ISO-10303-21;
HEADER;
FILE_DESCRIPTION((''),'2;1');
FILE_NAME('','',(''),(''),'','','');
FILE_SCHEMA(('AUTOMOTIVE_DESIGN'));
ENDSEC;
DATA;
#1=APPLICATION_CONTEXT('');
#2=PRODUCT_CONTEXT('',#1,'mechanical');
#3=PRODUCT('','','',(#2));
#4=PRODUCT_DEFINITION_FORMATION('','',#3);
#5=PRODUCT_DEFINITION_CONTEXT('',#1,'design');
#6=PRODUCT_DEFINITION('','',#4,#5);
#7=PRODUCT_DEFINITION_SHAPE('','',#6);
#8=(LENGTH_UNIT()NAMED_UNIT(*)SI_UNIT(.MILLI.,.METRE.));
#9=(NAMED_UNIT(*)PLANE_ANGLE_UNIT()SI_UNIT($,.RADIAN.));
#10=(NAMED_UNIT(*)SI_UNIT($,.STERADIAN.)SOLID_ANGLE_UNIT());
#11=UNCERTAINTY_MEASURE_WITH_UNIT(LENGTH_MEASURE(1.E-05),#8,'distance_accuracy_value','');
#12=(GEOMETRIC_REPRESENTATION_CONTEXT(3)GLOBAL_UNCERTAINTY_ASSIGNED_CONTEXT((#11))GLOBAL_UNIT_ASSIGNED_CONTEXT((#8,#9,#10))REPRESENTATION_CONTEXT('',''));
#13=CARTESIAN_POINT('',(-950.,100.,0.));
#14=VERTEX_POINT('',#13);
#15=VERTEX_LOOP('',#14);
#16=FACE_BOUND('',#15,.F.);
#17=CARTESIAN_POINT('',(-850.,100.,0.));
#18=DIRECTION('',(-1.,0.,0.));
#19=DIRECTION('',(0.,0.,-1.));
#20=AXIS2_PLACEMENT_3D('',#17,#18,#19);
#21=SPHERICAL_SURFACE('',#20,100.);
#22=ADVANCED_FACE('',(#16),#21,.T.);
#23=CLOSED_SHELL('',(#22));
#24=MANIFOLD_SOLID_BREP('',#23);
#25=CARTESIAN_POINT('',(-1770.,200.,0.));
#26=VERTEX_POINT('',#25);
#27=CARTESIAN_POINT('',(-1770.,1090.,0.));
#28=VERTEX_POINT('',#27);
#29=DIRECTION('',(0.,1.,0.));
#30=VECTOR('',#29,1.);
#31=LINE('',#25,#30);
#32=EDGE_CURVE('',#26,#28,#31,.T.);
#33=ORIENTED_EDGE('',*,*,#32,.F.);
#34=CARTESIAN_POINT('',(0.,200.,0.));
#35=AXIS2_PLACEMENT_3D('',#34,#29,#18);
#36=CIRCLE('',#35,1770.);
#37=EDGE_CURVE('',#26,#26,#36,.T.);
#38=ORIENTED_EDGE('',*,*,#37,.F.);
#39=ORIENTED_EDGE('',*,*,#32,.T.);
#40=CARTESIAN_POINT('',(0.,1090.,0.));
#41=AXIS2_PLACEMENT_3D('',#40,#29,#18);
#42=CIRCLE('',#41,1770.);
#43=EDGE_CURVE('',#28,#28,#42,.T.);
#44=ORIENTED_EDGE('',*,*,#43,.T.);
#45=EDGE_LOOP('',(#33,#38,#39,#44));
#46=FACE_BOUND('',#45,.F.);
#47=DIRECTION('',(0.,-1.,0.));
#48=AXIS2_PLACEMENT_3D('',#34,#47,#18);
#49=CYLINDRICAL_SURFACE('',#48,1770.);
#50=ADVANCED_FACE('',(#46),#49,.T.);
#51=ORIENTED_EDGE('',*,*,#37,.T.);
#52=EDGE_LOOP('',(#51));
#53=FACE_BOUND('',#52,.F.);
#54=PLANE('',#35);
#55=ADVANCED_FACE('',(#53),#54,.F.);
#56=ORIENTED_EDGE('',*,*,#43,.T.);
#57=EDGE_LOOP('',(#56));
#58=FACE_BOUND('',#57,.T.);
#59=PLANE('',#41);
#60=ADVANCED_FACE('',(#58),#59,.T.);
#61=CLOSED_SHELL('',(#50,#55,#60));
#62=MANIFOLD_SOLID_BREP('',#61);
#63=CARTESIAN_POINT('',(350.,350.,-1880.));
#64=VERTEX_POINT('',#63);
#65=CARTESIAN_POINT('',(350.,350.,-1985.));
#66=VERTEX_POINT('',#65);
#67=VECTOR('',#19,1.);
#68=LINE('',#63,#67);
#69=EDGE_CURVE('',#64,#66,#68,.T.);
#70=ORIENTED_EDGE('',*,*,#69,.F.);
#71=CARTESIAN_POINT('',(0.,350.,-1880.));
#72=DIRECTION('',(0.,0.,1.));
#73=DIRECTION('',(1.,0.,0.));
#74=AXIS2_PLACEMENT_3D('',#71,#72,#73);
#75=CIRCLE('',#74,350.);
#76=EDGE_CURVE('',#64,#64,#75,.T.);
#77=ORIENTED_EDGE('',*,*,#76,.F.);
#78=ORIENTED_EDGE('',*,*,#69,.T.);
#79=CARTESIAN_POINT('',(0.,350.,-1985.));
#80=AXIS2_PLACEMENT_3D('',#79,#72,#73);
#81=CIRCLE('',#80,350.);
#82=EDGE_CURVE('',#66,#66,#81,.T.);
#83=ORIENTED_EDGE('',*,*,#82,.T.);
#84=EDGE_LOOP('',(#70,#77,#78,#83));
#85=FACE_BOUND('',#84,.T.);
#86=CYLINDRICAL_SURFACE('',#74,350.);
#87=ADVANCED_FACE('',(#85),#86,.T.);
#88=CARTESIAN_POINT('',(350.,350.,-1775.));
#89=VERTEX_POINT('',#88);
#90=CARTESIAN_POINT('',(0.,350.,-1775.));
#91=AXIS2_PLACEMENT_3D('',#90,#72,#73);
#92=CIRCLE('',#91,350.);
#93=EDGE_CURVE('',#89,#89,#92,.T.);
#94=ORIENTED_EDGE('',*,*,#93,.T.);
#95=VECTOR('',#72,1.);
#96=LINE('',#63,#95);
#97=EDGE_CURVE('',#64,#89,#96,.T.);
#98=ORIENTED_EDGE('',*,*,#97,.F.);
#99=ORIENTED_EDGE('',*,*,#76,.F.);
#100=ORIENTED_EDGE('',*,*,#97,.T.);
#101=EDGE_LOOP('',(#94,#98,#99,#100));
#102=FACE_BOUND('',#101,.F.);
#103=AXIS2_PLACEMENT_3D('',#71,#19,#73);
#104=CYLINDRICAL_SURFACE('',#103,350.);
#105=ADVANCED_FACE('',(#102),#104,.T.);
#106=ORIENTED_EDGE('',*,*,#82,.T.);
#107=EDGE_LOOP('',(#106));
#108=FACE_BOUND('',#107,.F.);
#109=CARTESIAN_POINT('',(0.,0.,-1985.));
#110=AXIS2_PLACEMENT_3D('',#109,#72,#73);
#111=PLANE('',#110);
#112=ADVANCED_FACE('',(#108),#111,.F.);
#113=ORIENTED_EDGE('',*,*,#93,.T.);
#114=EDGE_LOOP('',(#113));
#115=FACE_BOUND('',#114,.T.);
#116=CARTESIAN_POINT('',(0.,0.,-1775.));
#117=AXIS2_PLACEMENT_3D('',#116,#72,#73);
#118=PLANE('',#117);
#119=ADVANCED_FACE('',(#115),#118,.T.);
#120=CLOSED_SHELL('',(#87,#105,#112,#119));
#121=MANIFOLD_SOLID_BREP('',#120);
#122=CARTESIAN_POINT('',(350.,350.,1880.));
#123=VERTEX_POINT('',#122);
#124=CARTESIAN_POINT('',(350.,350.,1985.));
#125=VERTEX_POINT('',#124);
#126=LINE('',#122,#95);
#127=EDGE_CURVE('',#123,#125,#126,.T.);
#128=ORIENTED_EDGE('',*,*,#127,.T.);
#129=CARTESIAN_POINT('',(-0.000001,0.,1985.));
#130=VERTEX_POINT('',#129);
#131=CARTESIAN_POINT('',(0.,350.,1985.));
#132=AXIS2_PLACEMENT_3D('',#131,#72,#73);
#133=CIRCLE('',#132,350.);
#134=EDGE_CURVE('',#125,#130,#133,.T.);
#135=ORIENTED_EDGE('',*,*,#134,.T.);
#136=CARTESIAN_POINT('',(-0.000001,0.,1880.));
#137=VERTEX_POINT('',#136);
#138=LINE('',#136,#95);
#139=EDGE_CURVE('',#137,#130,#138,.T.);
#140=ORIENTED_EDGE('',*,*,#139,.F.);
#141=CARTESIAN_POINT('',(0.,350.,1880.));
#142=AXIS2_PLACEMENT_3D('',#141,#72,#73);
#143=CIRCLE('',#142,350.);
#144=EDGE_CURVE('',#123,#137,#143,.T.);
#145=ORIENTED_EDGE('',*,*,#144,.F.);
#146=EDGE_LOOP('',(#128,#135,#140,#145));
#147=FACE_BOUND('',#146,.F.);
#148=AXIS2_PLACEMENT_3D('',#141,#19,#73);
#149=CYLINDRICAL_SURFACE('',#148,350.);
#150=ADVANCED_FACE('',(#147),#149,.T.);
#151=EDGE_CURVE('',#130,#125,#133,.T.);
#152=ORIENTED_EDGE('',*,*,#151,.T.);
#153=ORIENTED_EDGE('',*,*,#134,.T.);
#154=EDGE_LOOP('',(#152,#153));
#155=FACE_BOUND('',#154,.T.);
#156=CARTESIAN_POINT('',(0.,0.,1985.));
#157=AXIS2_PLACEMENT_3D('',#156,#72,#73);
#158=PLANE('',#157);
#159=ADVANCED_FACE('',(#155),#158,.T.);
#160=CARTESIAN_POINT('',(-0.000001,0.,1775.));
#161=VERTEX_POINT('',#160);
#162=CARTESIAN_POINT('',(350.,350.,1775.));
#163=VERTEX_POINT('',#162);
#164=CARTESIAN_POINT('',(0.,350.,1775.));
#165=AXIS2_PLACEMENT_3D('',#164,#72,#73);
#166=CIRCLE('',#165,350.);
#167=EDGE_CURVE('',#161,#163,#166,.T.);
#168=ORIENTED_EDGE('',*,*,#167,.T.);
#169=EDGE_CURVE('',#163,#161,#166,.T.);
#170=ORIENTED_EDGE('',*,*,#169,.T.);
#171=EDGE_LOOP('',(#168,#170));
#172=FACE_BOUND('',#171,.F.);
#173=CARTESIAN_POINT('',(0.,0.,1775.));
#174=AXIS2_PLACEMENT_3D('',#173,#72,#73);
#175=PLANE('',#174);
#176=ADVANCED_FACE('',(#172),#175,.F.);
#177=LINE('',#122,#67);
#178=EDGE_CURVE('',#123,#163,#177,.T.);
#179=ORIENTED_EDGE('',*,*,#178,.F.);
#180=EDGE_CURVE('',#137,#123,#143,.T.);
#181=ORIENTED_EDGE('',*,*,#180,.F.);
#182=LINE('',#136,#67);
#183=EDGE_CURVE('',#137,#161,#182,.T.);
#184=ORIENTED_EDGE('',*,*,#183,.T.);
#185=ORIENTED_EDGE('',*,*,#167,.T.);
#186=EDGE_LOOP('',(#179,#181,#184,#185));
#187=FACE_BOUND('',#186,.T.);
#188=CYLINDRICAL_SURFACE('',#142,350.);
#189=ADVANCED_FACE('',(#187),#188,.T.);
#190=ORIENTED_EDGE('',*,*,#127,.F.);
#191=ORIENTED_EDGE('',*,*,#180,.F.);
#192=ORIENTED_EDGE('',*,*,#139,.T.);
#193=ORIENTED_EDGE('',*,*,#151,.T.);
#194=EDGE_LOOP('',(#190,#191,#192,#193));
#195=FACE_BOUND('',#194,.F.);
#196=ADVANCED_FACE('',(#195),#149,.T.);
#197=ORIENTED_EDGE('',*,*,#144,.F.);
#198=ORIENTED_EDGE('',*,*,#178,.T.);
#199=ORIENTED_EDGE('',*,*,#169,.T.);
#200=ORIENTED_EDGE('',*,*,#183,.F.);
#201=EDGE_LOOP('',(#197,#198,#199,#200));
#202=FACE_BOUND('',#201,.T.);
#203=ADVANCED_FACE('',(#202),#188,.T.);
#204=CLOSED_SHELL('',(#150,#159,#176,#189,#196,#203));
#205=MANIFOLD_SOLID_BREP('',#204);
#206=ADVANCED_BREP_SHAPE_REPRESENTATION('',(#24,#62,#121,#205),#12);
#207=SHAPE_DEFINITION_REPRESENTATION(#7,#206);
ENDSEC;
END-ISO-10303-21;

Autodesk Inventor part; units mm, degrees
sketch "Sketch1" plane through (0, 0, 0) normal (0, 1, 0) x (-1, 0, 0)
  circle A0 centre (0, 0) radius 1770
  line L0 (-350, -1985) -> (350, -1985)
  line L1 (350, -1985) -> (350, -1775)
  line L2 (350, -1775) -> (-350, -1775)
  line L3 (-350, -1775) -> (-350, -1985)
  line L4 (-350, -1985) -> (350, -1775) construction
  line L5 (350, -1985) -> (-350, -1775) construction
  line L6 (-350, 1985) -> (350, 1985)
  line L7 (350, 1985) -> (350, 1775)
  line L8 (350, 1775) -> (-350, 1775)
  line L9 (-350, 1775) -> (-350, 1985)
  line L10 (-350, 1985) -> (350, 1775) construction
  line L11 (350, 1985) -> (-350, 1775) construction
  circle A1 centre (850, 0) radius 100
  point P0 (0, -1880)
  point P1 (0, 1880)
  dimension "d0" = 3540
  dimension "d1" = 700
  dimension "d2" = 210
  dimension "d3" = 700
  dimension "d4" = 210
  dimension "d5" = 200
ref_plane "Work Plane1" through (0, 200, 0) normal (0, 1, 0) x (-1, 0, 0)
ref_plane "Work Plane2" through (0, 0, 1880) normal (0, 0, 1) x (1, 0, 0)
ref_plane "Work Plane3" through (0, 0, -1880) normal (0, 0, 1) x (1, 0, 0)
ref_plane "Work Plane4" through (0, 100, 0) normal (0, 1, 0) x (-1, 0, 0)
sketch "Sketch2" plane through (0, 200, 0) normal (0, 1, 0) x (-1, 0, 0)
  circle A0 centre (0, 0) radius 1770 projected
extrude "Extrusion1" add sketch "Sketch2" along normal blind 890
sketch "Sketch3" plane through (0, 0, 1880) normal (0, 0, 1) x (1, 0, 0)
  line L0 (350, 0) -> (-350, 0) projected
  circle A0 centre (0, 350) radius 350
  point P0 (0, 0)
  dimension "d12" = 700
extrude "Extrusion2" add sketch "Sketch3" along normal mid plane 210
sketch "Sketch4" plane through (0, 0, -1880) normal (0, 0, 1) x (1, 0, 0)
  circle A0 centre (0, 350) radius 350
  point P0 (0, 0)
  dimension "d15" = 700
extrude "Extrusion3" add sketch "Sketch4" along normal mid plane 210
sketch "Sketch5" plane through (0, 100, 0) normal (0, 1, 0) x (-1, 0, 0)
  circle A0 centre (850, 0) radius 100 projected
  circle A1 centre (850, 0) radius 100
  line L0 (950, 0) -> (750, 0)
  point P0 (0, 0)
  dimension "d18" = 200
revolve "Revolution1" add sketch "Sketch5" angle 360 about axis through (-950, 100, 0) along (1, 0, 0) picked at (872.7518, -42.3477) contours A0 L0
properties part number "KobukiV3"
